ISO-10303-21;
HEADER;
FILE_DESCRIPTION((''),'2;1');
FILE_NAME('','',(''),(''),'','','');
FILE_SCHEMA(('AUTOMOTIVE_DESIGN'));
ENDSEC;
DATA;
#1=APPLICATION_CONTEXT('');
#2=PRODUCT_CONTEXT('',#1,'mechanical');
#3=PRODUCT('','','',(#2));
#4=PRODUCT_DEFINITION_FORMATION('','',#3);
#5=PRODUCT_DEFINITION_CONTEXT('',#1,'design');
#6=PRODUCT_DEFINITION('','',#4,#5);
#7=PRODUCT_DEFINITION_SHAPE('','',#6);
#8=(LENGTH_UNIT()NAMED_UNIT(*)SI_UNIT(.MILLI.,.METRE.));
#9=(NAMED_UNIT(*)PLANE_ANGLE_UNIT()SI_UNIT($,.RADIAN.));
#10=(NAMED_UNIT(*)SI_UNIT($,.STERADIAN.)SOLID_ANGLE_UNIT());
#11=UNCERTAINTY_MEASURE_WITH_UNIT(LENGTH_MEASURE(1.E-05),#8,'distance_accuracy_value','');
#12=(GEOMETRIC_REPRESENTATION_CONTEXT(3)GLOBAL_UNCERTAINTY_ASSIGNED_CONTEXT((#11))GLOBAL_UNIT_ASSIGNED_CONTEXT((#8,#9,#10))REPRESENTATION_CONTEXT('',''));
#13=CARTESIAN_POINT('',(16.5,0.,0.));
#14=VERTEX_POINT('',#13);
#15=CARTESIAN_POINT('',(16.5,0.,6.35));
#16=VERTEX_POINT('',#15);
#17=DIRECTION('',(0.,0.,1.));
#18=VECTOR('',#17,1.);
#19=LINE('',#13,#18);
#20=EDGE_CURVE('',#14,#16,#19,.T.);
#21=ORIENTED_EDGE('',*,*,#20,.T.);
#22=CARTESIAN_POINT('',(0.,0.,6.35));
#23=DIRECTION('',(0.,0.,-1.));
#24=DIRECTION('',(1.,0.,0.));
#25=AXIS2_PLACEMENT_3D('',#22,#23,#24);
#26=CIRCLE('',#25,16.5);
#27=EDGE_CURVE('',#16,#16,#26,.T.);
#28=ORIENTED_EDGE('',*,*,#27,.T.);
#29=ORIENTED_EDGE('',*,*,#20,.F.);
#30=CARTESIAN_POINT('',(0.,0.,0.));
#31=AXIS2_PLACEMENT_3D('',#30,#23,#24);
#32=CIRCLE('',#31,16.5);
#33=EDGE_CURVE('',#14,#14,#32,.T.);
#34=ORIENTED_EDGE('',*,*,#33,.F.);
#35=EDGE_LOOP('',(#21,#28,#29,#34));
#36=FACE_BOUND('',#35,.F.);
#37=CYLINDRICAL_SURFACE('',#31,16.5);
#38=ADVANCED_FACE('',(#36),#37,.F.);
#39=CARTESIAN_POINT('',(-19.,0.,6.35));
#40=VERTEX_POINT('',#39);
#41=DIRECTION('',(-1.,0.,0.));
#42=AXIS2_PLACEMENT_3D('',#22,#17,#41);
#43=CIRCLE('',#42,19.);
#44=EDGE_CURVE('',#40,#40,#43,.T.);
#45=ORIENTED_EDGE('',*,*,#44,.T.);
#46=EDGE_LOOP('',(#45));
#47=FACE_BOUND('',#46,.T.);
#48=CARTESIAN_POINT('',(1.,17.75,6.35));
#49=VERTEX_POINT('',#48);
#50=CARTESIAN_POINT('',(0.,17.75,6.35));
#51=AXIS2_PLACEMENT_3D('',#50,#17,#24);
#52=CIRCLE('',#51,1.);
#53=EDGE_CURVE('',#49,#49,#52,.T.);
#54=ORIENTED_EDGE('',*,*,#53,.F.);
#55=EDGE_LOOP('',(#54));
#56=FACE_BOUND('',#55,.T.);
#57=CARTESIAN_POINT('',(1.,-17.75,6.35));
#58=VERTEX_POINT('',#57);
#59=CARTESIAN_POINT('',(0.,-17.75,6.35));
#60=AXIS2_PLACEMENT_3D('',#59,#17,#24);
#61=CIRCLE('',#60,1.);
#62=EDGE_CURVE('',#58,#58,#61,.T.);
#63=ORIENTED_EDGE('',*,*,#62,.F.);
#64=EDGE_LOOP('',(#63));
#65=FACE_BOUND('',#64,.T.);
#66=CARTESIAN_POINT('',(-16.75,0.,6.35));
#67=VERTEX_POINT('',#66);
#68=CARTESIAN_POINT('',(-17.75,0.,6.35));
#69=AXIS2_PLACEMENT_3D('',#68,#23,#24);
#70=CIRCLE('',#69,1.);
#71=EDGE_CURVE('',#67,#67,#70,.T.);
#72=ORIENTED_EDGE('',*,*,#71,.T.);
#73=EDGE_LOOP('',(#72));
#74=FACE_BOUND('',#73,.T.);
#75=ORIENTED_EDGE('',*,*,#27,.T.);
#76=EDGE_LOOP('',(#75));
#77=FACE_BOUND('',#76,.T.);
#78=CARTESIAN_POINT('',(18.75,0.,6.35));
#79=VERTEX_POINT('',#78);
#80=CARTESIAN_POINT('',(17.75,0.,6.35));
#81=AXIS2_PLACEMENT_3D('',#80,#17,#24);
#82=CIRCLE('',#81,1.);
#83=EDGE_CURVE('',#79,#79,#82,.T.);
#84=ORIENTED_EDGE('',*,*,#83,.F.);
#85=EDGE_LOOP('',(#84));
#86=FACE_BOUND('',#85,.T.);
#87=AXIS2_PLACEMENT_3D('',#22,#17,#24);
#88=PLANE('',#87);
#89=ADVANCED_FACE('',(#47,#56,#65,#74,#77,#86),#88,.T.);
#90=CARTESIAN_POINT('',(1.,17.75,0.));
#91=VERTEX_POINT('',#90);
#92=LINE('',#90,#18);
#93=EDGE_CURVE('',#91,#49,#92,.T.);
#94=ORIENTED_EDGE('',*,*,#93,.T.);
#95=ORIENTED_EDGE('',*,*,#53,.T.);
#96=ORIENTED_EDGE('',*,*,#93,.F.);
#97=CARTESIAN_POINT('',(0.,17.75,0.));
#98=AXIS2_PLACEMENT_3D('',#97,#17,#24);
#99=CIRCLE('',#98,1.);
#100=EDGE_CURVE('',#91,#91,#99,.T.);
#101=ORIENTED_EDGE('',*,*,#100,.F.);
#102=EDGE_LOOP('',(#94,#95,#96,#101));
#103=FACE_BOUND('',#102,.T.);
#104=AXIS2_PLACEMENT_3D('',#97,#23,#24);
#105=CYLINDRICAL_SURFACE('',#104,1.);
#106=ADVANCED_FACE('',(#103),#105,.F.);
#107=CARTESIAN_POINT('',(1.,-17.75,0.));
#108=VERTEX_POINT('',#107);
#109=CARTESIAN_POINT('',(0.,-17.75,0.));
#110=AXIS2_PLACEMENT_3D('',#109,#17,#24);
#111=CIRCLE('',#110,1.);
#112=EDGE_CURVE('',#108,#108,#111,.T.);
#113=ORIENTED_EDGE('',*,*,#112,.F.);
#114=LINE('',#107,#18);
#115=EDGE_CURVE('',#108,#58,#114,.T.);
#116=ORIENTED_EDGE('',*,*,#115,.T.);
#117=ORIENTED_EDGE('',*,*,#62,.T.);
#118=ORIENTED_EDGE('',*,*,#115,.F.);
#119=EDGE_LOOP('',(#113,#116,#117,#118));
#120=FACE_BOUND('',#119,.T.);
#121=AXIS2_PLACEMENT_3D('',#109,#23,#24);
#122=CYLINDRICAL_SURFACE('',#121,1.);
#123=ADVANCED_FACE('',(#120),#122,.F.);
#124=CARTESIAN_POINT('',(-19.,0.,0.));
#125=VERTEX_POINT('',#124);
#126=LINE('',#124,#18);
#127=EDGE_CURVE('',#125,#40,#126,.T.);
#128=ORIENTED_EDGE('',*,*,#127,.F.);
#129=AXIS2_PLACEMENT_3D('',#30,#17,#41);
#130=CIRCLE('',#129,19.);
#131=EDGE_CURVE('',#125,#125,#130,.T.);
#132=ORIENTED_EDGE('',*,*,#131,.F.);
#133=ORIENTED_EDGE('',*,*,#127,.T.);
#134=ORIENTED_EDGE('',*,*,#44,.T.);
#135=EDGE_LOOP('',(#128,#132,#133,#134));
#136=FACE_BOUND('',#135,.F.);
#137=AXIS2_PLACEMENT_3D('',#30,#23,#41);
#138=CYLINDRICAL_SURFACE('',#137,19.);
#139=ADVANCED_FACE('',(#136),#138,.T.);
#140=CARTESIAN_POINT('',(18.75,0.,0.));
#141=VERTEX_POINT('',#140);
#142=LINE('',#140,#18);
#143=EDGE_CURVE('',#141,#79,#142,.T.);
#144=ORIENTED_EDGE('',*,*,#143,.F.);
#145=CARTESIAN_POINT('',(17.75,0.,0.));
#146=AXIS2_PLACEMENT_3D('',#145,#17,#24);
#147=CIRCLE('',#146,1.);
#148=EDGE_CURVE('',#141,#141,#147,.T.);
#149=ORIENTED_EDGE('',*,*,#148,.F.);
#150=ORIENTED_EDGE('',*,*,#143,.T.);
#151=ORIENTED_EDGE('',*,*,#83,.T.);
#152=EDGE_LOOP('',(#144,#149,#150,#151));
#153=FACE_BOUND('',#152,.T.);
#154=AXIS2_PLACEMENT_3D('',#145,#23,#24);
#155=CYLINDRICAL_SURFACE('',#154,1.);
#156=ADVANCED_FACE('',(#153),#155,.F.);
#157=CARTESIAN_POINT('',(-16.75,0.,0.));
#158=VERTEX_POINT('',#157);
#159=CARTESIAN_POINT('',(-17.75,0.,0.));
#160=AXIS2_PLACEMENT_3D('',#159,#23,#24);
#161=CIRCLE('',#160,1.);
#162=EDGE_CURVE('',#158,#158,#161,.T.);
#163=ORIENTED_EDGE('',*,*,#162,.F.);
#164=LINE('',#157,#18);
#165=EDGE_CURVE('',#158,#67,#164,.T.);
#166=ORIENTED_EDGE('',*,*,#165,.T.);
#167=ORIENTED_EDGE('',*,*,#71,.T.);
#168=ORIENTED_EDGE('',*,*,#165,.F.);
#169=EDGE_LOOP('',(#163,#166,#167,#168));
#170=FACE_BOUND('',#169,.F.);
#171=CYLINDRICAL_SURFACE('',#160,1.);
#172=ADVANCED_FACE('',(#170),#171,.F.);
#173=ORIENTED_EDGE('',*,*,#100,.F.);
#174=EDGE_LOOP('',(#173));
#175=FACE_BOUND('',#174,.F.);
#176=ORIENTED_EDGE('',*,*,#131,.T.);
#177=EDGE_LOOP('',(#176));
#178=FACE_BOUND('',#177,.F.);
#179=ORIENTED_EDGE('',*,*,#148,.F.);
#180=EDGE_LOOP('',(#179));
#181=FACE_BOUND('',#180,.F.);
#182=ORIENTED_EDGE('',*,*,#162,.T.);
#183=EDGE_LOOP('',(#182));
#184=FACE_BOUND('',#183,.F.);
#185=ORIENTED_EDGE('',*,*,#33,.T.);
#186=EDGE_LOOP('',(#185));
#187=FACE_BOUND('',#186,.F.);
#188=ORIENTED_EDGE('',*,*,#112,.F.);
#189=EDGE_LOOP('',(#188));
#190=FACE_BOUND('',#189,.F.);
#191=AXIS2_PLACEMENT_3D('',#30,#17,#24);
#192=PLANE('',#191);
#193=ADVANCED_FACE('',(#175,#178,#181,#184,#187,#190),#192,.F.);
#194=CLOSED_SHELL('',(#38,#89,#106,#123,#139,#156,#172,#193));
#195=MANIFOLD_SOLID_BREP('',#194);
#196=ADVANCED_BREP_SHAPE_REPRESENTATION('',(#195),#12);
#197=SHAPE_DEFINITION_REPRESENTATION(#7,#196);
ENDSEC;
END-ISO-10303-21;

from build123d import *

# Parameters (mm, degrees)
F0_R     = 1
F1_DEPTH = 6.35


with BuildPart() as f1:
    # F0 (on Top) → F1 (new body)
    with BuildSketch(Plane.XY):
        with BuildLine():
            ThreePointArc((19, 0), (0, 19), (-19, 0))
            ThreePointArc((-19, 0), (0, -19), (19, 0))
        make_face()
        with Locations((0, -17.75)):
            Circle(F0_R, mode=Mode.SUBTRACT)
        with BuildLine():
            ThreePointArc((-18.75, 0), (-17.75, 1), (-16.75, 0))
            ThreePointArc((-16.75, 0), (-17.75, -1), (-18.75, 0))
        make_face(mode=Mode.SUBTRACT)
        with BuildLine():
            ThreePointArc((-16.5, 0), (0, 16.5), (16.5, 0))
            ThreePointArc((16.5, 0), (0, -16.5), (-16.5, 0))
        make_face(mode=Mode.SUBTRACT)
        with Locations((17.75, 0)):
            Circle(F0_R, mode=Mode.SUBTRACT)
        with Locations((0, 17.75)):
            Circle(F0_R, mode=Mode.SUBTRACT)
    extrude(amount=F1_DEPTH)


solid = f1.part
